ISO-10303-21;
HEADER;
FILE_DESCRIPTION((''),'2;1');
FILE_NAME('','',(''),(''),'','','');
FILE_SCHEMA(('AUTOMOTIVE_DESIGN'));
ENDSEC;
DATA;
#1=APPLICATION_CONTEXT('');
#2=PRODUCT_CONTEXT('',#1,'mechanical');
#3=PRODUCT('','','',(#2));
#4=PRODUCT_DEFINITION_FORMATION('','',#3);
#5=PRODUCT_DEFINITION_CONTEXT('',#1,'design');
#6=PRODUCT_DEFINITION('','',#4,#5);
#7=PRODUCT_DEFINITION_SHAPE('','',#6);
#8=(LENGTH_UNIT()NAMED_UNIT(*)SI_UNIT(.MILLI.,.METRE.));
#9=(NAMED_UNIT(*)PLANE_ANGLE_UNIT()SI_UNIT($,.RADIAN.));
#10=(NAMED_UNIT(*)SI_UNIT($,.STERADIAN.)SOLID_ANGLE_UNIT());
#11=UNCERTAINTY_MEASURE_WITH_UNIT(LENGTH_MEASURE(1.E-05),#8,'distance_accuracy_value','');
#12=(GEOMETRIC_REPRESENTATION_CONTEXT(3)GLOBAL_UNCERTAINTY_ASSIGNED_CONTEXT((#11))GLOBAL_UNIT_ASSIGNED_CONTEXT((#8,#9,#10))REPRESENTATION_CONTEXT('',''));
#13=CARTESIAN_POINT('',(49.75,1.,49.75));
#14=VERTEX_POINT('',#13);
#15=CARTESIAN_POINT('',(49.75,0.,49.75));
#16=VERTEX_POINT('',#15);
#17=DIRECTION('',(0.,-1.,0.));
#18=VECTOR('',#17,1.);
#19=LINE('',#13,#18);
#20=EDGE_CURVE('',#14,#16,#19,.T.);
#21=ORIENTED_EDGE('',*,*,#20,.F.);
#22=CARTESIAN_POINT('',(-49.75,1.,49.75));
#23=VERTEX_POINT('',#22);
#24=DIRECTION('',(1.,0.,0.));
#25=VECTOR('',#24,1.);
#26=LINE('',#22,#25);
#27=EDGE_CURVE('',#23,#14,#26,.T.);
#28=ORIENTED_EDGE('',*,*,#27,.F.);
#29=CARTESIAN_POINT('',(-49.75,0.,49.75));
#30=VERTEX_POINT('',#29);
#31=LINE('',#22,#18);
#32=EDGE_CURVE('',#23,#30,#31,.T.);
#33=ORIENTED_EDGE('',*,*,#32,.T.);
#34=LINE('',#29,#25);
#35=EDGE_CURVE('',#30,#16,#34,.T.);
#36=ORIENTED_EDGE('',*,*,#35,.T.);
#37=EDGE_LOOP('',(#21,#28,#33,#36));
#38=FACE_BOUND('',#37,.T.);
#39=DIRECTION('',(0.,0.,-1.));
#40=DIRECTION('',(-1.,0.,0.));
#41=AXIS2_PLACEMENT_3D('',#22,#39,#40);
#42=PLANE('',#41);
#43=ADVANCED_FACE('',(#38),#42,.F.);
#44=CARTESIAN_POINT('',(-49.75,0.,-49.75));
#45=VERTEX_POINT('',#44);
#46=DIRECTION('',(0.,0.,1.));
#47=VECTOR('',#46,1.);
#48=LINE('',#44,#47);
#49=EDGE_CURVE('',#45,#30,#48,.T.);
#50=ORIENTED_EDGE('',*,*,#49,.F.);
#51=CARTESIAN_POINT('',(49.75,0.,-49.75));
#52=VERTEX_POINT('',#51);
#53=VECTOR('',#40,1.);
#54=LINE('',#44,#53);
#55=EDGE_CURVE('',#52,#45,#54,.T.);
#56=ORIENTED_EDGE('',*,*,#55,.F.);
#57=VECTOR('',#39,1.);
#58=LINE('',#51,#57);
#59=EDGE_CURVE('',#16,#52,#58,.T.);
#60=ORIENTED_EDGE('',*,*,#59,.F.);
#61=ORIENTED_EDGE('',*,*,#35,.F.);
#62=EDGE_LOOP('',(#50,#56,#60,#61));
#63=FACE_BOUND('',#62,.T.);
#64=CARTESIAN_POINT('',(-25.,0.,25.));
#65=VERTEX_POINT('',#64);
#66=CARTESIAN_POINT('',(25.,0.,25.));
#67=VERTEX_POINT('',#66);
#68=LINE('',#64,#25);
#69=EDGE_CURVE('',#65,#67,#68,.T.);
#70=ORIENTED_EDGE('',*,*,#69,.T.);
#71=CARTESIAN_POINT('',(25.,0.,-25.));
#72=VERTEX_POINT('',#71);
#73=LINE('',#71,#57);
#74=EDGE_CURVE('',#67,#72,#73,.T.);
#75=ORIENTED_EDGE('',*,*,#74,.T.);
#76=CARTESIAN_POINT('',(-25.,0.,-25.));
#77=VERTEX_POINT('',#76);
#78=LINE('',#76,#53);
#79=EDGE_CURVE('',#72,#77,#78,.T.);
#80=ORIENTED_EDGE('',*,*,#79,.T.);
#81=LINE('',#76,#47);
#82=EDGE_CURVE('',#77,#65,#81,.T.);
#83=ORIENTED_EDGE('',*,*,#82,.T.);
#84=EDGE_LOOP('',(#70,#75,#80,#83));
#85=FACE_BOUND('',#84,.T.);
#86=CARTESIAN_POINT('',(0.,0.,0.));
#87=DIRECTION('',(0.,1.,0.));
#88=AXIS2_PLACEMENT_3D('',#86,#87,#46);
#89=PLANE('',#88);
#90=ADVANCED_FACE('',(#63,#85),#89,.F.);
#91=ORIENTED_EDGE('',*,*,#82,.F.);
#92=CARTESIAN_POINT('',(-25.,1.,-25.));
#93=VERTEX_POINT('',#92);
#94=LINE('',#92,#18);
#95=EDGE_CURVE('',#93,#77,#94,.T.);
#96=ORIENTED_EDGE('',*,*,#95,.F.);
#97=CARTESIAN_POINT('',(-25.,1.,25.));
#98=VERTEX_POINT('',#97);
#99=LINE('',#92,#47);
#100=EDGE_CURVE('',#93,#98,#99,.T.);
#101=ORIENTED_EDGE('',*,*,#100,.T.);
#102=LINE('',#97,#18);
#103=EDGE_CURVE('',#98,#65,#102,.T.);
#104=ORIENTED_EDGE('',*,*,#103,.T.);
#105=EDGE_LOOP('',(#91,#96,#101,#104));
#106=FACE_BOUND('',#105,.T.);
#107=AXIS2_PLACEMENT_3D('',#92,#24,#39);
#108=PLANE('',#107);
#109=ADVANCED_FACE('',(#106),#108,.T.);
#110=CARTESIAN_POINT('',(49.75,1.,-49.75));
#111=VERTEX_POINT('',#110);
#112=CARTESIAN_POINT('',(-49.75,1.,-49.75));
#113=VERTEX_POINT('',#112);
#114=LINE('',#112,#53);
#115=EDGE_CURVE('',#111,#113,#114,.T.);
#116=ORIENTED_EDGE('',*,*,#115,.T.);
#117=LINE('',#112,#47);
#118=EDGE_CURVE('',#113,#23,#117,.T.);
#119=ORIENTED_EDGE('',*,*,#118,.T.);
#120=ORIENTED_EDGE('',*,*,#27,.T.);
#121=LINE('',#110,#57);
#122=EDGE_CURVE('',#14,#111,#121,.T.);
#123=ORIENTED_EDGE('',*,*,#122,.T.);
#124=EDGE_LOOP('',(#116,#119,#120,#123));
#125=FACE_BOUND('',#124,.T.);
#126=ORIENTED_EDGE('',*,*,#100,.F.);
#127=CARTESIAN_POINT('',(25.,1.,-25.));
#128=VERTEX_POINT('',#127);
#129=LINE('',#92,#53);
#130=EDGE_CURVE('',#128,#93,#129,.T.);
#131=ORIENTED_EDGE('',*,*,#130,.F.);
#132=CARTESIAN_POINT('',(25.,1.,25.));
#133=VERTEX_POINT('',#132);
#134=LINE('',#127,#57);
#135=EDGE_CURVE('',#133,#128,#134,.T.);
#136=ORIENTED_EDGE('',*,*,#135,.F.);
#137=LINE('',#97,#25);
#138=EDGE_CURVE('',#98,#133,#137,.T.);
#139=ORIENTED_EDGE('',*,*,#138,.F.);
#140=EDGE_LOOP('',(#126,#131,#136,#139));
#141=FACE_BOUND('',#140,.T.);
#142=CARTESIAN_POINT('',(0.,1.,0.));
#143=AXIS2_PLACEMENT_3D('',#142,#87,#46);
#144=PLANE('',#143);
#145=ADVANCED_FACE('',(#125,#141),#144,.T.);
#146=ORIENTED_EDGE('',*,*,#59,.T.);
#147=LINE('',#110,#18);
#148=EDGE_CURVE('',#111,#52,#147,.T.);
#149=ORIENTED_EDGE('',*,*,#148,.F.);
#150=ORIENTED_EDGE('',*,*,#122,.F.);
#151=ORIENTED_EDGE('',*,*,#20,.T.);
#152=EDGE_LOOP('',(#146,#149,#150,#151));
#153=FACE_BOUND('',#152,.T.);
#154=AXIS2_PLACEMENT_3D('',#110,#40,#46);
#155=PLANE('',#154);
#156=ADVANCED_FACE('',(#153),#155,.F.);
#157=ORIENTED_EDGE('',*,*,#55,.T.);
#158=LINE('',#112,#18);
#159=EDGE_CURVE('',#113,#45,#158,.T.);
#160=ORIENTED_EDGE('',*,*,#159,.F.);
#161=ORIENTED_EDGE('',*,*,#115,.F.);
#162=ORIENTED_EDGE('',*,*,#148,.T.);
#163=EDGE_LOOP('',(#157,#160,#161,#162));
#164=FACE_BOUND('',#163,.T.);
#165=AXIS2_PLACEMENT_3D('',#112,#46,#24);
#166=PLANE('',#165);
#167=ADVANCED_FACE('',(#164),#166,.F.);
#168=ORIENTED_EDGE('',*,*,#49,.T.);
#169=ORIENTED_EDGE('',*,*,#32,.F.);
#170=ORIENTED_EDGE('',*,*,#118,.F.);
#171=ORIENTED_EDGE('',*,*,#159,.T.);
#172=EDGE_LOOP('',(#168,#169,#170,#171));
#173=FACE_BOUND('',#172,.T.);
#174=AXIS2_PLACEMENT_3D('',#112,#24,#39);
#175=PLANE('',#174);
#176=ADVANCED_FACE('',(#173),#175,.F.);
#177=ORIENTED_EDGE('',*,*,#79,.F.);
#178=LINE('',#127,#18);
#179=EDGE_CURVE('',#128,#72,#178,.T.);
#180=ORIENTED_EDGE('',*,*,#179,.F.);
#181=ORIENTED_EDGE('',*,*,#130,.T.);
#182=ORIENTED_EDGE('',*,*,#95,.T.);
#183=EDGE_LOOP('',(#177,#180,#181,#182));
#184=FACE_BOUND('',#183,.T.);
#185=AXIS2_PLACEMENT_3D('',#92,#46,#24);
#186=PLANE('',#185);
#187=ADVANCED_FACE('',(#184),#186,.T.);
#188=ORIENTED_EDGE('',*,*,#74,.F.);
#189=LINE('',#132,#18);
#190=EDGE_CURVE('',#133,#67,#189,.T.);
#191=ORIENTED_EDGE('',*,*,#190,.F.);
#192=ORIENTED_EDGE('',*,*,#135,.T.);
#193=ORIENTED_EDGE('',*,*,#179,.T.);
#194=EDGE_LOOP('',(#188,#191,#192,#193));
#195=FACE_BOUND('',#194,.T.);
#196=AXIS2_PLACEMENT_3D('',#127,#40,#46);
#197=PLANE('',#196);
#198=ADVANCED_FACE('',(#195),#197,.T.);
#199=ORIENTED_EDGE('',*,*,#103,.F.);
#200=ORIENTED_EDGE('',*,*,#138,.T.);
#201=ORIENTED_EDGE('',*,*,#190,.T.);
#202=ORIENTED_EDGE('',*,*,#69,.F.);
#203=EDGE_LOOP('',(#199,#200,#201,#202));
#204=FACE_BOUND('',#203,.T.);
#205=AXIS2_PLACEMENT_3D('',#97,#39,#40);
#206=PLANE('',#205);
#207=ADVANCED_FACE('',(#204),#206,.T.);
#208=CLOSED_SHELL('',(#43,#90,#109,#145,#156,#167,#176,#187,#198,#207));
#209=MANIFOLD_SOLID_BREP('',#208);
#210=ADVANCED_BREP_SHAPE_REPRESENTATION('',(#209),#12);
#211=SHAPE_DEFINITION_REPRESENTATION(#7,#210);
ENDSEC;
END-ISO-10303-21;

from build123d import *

# Parameters (mm, degrees)
CROQUIS1_W              = 99.5
CROQUIS1_H              = 99.5
CROQUIS1_W_2            = 50
CROQUIS1_H_2            = 50
SALIENTE_EXTRUIR1_DEPTH = 1


with BuildPart() as part:
    # Croquis1 → Saliente-Extruir1 (new body)
    with BuildSketch(Plane(origin=(0, 0, 0), x_dir=(1, 0, 0), z_dir=(0, 1, 0))):
        Rectangle(CROQUIS1_W, CROQUIS1_H)
        Rectangle(CROQUIS1_W_2, CROQUIS1_H_2, mode=Mode.SUBTRACT)
    extrude(amount=SALIENTE_EXTRUIR1_DEPTH)


solid = part.part
